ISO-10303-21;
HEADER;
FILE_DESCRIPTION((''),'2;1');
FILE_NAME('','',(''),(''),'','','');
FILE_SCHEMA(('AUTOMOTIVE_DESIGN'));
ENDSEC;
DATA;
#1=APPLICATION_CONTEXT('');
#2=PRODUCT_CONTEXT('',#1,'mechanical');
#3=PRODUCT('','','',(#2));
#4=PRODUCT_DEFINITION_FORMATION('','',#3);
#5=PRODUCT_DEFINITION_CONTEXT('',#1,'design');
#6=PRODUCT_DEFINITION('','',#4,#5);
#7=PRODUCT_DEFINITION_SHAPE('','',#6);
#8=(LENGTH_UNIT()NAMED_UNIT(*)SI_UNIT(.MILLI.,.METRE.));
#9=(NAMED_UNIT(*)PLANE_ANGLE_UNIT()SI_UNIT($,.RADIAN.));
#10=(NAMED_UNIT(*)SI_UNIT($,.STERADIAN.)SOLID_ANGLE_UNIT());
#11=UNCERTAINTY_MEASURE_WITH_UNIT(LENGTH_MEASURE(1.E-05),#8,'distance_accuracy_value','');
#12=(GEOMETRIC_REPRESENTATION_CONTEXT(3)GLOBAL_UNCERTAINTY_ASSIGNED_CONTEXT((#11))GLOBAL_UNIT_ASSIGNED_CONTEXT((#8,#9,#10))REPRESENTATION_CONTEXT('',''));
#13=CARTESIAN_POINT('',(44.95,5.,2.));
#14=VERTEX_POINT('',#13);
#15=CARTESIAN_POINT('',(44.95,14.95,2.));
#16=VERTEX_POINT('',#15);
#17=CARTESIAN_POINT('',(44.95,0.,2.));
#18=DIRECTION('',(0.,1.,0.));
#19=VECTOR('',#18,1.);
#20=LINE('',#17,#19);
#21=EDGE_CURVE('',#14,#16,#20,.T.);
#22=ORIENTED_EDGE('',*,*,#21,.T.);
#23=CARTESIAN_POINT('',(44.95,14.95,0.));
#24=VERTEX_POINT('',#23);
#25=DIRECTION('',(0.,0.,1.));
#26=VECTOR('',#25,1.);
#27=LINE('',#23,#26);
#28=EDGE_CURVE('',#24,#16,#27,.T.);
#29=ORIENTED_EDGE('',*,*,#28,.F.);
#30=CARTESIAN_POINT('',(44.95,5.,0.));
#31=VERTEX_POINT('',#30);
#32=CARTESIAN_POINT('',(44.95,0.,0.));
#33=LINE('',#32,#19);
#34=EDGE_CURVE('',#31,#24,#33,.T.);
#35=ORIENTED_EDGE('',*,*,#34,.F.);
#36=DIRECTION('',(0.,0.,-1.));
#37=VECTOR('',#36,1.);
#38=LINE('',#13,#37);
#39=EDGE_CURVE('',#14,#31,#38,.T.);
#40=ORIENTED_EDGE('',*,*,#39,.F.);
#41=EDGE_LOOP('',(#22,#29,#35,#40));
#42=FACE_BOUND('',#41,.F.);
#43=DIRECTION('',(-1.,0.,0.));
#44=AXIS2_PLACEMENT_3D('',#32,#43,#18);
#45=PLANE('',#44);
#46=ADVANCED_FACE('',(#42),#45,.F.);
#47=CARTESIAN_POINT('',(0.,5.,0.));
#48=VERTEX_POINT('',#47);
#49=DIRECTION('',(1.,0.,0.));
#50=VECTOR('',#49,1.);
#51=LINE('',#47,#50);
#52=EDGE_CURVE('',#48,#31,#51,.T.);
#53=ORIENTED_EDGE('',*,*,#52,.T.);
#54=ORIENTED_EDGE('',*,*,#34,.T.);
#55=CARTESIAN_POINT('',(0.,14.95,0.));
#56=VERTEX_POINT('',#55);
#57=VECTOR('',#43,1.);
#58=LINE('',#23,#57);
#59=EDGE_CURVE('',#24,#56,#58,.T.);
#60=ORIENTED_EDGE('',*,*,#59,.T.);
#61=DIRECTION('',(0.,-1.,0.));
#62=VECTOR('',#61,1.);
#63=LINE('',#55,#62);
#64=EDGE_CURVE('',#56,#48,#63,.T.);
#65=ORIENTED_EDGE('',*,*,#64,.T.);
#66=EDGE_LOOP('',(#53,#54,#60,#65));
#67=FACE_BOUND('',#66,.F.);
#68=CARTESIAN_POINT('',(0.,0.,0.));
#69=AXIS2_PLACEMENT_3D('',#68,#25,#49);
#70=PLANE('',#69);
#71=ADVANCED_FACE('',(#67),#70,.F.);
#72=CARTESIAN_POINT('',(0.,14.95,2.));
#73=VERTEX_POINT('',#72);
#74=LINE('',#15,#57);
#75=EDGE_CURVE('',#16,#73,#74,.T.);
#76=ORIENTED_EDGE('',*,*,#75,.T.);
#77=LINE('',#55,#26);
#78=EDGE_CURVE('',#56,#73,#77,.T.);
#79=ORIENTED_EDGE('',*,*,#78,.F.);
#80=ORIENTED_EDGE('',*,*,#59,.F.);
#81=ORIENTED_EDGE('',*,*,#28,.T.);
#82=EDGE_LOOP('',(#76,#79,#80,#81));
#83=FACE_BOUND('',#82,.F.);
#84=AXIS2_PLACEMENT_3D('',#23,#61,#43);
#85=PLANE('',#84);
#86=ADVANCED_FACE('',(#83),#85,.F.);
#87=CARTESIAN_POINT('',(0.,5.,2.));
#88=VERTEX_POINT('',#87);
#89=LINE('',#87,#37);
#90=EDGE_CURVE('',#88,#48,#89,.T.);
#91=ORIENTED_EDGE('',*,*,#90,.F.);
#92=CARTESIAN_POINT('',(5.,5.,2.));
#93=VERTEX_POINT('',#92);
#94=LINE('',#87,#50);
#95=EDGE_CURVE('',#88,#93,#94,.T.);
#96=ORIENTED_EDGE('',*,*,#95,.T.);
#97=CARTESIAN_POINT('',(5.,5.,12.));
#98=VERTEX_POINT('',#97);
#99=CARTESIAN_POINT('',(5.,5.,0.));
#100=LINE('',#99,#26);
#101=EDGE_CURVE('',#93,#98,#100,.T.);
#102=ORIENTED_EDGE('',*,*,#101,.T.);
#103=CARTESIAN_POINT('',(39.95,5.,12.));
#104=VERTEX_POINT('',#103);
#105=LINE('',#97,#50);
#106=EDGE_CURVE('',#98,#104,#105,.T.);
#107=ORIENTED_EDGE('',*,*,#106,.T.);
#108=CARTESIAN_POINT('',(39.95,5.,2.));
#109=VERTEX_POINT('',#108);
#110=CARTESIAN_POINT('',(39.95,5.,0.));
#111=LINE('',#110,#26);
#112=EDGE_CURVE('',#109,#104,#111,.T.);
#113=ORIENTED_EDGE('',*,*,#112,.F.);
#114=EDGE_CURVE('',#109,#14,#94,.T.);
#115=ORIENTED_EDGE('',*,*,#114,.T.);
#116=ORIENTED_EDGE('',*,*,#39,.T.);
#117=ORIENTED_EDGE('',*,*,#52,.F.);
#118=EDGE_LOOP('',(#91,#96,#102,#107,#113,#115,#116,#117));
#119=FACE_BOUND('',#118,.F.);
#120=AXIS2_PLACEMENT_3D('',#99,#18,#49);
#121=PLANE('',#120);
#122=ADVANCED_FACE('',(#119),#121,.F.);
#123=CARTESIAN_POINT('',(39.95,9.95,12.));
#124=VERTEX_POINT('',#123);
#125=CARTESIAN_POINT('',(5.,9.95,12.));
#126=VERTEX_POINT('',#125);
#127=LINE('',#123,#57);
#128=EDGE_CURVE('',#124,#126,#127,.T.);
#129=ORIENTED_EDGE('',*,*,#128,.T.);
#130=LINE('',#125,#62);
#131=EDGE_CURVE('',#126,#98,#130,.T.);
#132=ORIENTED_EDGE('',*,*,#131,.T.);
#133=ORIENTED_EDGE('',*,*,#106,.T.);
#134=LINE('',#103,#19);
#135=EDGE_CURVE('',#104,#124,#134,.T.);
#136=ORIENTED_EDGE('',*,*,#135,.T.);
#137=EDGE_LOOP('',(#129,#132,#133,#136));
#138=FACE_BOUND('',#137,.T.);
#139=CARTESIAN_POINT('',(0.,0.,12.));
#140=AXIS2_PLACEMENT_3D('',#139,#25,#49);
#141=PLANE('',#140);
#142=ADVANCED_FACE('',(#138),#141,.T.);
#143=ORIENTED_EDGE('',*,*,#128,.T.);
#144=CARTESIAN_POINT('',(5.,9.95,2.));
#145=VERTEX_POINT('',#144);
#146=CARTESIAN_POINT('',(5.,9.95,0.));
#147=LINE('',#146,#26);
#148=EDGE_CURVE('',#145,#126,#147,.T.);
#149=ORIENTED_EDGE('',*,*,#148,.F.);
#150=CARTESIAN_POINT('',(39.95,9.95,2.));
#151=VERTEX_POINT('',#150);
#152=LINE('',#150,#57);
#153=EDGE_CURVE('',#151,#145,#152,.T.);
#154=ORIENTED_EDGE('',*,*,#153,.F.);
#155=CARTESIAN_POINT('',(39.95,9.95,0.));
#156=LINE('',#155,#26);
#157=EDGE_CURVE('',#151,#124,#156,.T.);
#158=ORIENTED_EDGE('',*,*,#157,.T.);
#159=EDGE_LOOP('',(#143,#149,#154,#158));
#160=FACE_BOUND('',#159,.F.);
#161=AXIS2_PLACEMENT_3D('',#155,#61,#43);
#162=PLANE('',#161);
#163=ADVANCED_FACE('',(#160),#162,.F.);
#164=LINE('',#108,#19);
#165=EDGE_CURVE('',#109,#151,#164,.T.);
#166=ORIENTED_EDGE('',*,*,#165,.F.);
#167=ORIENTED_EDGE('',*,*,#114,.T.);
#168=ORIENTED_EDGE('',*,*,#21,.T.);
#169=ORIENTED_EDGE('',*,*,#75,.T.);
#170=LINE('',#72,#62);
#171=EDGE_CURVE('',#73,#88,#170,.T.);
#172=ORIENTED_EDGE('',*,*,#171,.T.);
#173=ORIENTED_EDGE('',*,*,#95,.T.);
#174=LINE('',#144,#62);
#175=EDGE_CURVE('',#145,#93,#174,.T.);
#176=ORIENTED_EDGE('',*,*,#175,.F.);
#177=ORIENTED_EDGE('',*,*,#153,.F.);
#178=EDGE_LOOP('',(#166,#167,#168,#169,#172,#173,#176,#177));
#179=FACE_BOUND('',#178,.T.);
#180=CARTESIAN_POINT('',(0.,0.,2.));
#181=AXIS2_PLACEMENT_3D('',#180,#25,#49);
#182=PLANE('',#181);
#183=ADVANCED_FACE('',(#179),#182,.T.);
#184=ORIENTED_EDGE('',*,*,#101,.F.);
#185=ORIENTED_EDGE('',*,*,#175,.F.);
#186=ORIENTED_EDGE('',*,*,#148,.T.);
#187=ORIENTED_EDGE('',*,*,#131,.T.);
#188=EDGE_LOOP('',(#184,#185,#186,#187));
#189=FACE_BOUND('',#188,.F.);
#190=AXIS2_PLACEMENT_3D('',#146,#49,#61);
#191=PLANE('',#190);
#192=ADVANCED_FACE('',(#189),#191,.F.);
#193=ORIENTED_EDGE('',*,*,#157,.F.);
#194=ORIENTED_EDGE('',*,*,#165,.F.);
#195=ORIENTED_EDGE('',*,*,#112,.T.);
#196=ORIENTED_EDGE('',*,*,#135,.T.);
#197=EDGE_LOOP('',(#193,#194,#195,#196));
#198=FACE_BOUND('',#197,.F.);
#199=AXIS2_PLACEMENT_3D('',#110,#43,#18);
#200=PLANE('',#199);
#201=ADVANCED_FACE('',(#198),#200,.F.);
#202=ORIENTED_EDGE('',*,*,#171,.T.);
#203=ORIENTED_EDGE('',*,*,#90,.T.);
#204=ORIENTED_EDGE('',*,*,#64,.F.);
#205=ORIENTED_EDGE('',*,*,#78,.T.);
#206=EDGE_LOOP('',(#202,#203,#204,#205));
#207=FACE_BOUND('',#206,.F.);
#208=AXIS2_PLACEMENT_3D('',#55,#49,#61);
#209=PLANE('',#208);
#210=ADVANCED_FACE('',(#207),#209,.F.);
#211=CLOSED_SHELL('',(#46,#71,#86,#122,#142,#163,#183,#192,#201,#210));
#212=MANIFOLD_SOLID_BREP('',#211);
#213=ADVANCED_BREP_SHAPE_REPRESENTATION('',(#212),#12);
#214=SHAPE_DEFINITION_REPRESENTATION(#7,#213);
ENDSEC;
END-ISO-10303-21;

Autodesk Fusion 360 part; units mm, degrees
sketch "Sketch1" plane through (0, 0, 0) normal (0, 0, 1) x (1, 0, 0)
  line L0 (0, 0) -> (44.95, 0)
  line L1 (44.95, 0) -> (44.95, 14.95)
  line L2 (44.95, 14.95) -> (0, 14.95)
  line L3 (0, 14.95) -> (0, 0)
  line L4 (5, 5) -> (39.95, 5)
  line L5 (39.95, 5) -> (39.95, 9.95)
  line L6 (39.95, 9.95) -> (5, 9.95)
  line L7 (5, 9.95) -> (5, 5)
  dimension "d1" = 44.95
  dimension "d2" = 14.95
  dimension "d3" = 34.95
  dimension "d4" = 4.95
  dimension "d5" = 5
  dimension "d6" = 5
extrude "Extrude1" add sketch "Sketch1" along normal blind 12 contours L4 L5 L6 L7
extrude "Extrude2" add sketch "Sketch1" along normal blind 2
sketch "Sketch2" plane through (0, 0, 2) normal (0, 0, 1) x (-1, 0, 0)
  line L0 (-5, -5) -> (-5, -9.95)
  line L1 (-5, -9.95) -> (-39.95, -9.95)
  line L2 (-39.95, -9.95) -> (-39.95, -5)
  line L3 (-39.95, -5) -> (-5, -5)
  line L4 (0, -14.95) -> (0, 0)
  line L5 (0, 0) -> (-44.95, 0)
  line L6 (-44.95, 0) -> (-44.95, -14.95)
  line L7 (-44.95, -14.95) -> (0, -14.95)
  line L8 (-44.95, 0) -> (0, 0)
  line L9 (0, 0) -> (0, -5)
  line L10 (0, -5) -> (-44.95, -5)
  line L11 (-44.95, -5) -> (-44.95, 0)
extrude "Extrude3" cut sketch "Sketch2" against normal blind 4 contours L3 L4 L5 L6 L8 L9 L10 L11
